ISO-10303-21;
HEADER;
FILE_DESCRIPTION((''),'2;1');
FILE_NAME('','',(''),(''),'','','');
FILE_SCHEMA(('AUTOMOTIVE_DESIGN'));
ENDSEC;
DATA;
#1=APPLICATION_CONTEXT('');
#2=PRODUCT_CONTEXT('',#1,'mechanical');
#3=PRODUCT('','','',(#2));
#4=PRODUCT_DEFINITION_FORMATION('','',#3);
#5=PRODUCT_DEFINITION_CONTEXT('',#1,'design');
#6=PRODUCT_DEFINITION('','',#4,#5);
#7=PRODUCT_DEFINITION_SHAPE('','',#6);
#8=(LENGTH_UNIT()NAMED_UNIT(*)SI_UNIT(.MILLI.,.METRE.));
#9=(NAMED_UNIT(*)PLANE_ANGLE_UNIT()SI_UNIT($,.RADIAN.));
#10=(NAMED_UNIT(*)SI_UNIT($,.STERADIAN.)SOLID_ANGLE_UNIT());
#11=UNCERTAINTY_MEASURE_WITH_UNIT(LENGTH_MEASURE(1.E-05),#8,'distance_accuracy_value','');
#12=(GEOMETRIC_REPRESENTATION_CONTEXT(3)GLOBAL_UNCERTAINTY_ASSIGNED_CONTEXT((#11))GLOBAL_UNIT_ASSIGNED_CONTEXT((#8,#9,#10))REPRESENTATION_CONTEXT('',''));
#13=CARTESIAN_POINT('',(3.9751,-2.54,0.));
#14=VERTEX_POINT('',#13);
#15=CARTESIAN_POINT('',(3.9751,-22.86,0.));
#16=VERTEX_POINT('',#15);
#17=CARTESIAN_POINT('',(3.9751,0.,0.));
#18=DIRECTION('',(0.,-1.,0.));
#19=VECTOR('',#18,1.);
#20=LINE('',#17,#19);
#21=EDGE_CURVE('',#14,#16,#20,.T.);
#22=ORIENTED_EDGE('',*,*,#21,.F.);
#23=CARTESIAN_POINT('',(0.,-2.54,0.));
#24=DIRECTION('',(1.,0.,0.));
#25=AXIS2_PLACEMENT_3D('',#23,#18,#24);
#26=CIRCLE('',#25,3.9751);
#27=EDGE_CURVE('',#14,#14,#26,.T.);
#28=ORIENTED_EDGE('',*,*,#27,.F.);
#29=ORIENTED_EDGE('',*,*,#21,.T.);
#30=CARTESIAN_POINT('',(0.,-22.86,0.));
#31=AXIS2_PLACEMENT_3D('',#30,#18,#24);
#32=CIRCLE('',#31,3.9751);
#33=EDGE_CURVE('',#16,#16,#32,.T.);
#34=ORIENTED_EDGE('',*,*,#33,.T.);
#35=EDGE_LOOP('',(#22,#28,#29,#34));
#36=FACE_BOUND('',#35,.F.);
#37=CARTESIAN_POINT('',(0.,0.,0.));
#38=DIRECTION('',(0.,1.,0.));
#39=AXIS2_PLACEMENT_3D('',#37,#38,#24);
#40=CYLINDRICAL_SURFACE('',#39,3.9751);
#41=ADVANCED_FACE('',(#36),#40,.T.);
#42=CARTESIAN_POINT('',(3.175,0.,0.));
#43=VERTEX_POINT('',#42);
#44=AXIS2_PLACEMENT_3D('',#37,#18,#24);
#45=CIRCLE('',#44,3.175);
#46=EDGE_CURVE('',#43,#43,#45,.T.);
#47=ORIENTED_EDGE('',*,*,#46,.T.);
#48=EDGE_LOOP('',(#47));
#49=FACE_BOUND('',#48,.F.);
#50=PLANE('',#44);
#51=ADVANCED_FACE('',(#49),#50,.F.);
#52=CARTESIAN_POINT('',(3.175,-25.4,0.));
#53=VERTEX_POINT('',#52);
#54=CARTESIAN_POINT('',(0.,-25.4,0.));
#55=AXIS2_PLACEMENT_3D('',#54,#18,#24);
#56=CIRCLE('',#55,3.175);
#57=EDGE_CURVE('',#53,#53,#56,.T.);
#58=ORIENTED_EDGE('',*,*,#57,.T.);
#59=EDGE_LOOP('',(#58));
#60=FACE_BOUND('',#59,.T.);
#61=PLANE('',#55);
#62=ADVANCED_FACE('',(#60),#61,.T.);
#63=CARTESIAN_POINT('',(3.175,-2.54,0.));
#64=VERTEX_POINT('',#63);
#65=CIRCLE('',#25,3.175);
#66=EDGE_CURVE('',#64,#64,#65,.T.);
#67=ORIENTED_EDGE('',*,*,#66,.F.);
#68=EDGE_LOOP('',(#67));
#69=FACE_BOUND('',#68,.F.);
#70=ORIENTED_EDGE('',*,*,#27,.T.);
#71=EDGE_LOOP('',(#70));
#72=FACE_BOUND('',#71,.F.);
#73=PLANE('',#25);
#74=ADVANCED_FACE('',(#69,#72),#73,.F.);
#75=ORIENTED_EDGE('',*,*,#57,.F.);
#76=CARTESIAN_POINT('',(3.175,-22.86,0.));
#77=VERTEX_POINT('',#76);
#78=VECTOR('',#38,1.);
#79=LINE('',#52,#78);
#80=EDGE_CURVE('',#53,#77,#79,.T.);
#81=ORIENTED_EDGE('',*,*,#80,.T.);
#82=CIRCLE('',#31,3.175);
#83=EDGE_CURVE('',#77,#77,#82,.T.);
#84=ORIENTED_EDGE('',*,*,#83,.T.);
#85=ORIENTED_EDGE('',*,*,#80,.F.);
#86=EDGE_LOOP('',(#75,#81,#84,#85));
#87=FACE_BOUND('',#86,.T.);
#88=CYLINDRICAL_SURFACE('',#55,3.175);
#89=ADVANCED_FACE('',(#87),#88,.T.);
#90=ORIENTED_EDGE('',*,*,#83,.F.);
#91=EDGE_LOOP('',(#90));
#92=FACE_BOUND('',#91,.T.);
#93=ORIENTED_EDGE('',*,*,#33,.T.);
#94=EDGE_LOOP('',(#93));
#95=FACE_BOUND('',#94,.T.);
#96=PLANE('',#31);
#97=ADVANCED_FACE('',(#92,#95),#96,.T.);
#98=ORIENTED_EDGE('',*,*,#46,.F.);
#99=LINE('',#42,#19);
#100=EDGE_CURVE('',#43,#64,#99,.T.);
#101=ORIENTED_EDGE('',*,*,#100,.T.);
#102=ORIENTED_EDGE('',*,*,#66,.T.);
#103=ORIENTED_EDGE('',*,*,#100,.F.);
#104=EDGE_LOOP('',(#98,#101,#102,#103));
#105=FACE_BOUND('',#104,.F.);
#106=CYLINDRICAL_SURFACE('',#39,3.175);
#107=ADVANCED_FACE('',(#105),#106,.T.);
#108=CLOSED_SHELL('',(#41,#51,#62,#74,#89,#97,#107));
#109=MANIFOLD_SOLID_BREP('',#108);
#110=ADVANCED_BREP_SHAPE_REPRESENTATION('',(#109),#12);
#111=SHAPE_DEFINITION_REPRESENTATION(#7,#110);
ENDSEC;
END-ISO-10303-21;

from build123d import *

# Parameters (mm, degrees)
F0_R     = 3.9751
F1_DEPTH = 25.4
F2_R     = 3.9751
F2_R_2   = 3.175
F3_DEPTH = 2.54
F4_R     = 3.9751
F4_R_2   = 3.175
F5_DEPTH = 2.54


with BuildPart() as f1:
    # F0 (on Front) → F1 (new body)
    with BuildSketch(Plane.XZ):
        Circle(F0_R)
    extrude(amount=F1_DEPTH)

    # F2 (on face) → F3 (cut)
    with BuildSketch(Plane.XZ.offset(25.4)):
        Circle(F2_R)
        Circle(F2_R_2, mode=Mode.SUBTRACT)
    extrude(amount=-F3_DEPTH, mode=Mode.SUBTRACT)

    # F4 (on Front) → F5 (cut)
    with BuildSketch(Plane.XZ):
        Circle(F4_R)
        Circle(F4_R_2, mode=Mode.SUBTRACT)
    extrude(amount=F5_DEPTH, mode=Mode.SUBTRACT)


solid = f1.part
